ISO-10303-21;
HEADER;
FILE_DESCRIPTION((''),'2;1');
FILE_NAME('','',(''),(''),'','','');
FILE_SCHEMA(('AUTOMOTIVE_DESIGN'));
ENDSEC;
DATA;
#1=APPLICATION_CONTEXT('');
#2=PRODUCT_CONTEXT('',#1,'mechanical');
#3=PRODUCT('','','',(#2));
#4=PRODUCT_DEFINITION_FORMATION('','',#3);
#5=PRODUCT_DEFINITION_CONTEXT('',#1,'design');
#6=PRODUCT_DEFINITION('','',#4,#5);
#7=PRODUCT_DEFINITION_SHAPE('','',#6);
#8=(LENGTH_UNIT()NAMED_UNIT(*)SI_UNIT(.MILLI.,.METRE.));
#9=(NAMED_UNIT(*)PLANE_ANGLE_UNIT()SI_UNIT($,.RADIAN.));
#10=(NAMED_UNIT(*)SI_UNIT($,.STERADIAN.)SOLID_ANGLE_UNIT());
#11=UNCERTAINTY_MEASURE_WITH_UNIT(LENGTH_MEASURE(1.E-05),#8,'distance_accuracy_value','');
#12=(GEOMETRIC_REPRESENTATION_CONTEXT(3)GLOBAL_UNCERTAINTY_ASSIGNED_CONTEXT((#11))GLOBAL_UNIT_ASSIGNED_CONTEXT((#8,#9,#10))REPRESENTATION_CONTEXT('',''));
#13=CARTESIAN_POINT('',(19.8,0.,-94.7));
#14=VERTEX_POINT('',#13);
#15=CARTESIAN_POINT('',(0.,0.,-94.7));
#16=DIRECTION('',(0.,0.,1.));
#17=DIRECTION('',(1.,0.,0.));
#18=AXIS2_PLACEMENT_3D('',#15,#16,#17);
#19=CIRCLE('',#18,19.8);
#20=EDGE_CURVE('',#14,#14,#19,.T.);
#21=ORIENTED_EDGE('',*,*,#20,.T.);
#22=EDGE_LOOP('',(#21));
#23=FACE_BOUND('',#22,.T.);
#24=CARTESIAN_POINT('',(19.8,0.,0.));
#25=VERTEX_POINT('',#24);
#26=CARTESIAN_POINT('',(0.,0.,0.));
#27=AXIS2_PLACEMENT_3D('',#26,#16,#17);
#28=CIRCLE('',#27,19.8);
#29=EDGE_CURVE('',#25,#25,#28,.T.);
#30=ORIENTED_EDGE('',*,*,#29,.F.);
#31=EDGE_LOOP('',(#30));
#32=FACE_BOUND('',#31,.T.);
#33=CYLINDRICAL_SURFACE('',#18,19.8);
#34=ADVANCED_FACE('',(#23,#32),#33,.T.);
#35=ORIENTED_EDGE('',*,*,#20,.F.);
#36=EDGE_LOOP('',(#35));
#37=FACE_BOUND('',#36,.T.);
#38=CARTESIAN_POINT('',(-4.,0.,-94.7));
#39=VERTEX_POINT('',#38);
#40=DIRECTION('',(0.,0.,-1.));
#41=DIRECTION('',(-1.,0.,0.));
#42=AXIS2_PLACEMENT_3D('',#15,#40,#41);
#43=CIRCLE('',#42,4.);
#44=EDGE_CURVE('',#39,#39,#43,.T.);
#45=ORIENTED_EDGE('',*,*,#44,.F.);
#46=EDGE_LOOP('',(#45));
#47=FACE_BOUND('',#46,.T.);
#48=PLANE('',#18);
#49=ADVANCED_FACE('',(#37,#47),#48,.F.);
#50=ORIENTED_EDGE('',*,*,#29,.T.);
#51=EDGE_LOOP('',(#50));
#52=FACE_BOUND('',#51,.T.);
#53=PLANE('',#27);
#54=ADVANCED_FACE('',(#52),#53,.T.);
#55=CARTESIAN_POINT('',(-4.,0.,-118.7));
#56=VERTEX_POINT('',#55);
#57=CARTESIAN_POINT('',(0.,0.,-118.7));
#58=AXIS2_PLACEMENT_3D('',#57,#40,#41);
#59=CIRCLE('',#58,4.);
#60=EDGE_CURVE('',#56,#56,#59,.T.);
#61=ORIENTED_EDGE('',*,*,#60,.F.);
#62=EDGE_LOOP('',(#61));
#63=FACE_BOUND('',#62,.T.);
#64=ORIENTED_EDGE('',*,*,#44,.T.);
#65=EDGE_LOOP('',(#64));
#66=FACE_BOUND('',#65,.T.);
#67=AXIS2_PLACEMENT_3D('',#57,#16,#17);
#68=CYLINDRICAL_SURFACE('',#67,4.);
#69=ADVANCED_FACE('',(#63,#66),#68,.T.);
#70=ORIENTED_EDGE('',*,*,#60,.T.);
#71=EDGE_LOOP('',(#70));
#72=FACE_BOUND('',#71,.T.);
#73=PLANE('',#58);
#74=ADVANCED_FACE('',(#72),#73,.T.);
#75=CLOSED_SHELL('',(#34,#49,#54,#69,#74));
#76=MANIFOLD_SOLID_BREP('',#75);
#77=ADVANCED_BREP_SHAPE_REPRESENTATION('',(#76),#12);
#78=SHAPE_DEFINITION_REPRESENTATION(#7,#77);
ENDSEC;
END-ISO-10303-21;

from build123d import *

# Parameters (mm, degrees)
SKETCH2_R           = 19.8
BOSS_EXTRUDE1_DEPTH = 94.7
SKETCH3_R           = 4
BOSS_EXTRUDE2_DEPTH = 24


with BuildPart() as part:
    # Sketch2 → Boss-Extrude1 (new body)
    with BuildSketch(Plane.XY):
        Circle(SKETCH2_R)
    extrude(amount=-BOSS_EXTRUDE1_DEPTH)

    # Sketch3 → Boss-Extrude2 (add)
    with BuildSketch(Plane(origin=(0, 0, -94.7), x_dir=(-1, 0, 0), z_dir=(0, 0, -1))):
        Circle(SKETCH3_R)
    extrude(amount=BOSS_EXTRUDE2_DEPTH)


solid = part.part
